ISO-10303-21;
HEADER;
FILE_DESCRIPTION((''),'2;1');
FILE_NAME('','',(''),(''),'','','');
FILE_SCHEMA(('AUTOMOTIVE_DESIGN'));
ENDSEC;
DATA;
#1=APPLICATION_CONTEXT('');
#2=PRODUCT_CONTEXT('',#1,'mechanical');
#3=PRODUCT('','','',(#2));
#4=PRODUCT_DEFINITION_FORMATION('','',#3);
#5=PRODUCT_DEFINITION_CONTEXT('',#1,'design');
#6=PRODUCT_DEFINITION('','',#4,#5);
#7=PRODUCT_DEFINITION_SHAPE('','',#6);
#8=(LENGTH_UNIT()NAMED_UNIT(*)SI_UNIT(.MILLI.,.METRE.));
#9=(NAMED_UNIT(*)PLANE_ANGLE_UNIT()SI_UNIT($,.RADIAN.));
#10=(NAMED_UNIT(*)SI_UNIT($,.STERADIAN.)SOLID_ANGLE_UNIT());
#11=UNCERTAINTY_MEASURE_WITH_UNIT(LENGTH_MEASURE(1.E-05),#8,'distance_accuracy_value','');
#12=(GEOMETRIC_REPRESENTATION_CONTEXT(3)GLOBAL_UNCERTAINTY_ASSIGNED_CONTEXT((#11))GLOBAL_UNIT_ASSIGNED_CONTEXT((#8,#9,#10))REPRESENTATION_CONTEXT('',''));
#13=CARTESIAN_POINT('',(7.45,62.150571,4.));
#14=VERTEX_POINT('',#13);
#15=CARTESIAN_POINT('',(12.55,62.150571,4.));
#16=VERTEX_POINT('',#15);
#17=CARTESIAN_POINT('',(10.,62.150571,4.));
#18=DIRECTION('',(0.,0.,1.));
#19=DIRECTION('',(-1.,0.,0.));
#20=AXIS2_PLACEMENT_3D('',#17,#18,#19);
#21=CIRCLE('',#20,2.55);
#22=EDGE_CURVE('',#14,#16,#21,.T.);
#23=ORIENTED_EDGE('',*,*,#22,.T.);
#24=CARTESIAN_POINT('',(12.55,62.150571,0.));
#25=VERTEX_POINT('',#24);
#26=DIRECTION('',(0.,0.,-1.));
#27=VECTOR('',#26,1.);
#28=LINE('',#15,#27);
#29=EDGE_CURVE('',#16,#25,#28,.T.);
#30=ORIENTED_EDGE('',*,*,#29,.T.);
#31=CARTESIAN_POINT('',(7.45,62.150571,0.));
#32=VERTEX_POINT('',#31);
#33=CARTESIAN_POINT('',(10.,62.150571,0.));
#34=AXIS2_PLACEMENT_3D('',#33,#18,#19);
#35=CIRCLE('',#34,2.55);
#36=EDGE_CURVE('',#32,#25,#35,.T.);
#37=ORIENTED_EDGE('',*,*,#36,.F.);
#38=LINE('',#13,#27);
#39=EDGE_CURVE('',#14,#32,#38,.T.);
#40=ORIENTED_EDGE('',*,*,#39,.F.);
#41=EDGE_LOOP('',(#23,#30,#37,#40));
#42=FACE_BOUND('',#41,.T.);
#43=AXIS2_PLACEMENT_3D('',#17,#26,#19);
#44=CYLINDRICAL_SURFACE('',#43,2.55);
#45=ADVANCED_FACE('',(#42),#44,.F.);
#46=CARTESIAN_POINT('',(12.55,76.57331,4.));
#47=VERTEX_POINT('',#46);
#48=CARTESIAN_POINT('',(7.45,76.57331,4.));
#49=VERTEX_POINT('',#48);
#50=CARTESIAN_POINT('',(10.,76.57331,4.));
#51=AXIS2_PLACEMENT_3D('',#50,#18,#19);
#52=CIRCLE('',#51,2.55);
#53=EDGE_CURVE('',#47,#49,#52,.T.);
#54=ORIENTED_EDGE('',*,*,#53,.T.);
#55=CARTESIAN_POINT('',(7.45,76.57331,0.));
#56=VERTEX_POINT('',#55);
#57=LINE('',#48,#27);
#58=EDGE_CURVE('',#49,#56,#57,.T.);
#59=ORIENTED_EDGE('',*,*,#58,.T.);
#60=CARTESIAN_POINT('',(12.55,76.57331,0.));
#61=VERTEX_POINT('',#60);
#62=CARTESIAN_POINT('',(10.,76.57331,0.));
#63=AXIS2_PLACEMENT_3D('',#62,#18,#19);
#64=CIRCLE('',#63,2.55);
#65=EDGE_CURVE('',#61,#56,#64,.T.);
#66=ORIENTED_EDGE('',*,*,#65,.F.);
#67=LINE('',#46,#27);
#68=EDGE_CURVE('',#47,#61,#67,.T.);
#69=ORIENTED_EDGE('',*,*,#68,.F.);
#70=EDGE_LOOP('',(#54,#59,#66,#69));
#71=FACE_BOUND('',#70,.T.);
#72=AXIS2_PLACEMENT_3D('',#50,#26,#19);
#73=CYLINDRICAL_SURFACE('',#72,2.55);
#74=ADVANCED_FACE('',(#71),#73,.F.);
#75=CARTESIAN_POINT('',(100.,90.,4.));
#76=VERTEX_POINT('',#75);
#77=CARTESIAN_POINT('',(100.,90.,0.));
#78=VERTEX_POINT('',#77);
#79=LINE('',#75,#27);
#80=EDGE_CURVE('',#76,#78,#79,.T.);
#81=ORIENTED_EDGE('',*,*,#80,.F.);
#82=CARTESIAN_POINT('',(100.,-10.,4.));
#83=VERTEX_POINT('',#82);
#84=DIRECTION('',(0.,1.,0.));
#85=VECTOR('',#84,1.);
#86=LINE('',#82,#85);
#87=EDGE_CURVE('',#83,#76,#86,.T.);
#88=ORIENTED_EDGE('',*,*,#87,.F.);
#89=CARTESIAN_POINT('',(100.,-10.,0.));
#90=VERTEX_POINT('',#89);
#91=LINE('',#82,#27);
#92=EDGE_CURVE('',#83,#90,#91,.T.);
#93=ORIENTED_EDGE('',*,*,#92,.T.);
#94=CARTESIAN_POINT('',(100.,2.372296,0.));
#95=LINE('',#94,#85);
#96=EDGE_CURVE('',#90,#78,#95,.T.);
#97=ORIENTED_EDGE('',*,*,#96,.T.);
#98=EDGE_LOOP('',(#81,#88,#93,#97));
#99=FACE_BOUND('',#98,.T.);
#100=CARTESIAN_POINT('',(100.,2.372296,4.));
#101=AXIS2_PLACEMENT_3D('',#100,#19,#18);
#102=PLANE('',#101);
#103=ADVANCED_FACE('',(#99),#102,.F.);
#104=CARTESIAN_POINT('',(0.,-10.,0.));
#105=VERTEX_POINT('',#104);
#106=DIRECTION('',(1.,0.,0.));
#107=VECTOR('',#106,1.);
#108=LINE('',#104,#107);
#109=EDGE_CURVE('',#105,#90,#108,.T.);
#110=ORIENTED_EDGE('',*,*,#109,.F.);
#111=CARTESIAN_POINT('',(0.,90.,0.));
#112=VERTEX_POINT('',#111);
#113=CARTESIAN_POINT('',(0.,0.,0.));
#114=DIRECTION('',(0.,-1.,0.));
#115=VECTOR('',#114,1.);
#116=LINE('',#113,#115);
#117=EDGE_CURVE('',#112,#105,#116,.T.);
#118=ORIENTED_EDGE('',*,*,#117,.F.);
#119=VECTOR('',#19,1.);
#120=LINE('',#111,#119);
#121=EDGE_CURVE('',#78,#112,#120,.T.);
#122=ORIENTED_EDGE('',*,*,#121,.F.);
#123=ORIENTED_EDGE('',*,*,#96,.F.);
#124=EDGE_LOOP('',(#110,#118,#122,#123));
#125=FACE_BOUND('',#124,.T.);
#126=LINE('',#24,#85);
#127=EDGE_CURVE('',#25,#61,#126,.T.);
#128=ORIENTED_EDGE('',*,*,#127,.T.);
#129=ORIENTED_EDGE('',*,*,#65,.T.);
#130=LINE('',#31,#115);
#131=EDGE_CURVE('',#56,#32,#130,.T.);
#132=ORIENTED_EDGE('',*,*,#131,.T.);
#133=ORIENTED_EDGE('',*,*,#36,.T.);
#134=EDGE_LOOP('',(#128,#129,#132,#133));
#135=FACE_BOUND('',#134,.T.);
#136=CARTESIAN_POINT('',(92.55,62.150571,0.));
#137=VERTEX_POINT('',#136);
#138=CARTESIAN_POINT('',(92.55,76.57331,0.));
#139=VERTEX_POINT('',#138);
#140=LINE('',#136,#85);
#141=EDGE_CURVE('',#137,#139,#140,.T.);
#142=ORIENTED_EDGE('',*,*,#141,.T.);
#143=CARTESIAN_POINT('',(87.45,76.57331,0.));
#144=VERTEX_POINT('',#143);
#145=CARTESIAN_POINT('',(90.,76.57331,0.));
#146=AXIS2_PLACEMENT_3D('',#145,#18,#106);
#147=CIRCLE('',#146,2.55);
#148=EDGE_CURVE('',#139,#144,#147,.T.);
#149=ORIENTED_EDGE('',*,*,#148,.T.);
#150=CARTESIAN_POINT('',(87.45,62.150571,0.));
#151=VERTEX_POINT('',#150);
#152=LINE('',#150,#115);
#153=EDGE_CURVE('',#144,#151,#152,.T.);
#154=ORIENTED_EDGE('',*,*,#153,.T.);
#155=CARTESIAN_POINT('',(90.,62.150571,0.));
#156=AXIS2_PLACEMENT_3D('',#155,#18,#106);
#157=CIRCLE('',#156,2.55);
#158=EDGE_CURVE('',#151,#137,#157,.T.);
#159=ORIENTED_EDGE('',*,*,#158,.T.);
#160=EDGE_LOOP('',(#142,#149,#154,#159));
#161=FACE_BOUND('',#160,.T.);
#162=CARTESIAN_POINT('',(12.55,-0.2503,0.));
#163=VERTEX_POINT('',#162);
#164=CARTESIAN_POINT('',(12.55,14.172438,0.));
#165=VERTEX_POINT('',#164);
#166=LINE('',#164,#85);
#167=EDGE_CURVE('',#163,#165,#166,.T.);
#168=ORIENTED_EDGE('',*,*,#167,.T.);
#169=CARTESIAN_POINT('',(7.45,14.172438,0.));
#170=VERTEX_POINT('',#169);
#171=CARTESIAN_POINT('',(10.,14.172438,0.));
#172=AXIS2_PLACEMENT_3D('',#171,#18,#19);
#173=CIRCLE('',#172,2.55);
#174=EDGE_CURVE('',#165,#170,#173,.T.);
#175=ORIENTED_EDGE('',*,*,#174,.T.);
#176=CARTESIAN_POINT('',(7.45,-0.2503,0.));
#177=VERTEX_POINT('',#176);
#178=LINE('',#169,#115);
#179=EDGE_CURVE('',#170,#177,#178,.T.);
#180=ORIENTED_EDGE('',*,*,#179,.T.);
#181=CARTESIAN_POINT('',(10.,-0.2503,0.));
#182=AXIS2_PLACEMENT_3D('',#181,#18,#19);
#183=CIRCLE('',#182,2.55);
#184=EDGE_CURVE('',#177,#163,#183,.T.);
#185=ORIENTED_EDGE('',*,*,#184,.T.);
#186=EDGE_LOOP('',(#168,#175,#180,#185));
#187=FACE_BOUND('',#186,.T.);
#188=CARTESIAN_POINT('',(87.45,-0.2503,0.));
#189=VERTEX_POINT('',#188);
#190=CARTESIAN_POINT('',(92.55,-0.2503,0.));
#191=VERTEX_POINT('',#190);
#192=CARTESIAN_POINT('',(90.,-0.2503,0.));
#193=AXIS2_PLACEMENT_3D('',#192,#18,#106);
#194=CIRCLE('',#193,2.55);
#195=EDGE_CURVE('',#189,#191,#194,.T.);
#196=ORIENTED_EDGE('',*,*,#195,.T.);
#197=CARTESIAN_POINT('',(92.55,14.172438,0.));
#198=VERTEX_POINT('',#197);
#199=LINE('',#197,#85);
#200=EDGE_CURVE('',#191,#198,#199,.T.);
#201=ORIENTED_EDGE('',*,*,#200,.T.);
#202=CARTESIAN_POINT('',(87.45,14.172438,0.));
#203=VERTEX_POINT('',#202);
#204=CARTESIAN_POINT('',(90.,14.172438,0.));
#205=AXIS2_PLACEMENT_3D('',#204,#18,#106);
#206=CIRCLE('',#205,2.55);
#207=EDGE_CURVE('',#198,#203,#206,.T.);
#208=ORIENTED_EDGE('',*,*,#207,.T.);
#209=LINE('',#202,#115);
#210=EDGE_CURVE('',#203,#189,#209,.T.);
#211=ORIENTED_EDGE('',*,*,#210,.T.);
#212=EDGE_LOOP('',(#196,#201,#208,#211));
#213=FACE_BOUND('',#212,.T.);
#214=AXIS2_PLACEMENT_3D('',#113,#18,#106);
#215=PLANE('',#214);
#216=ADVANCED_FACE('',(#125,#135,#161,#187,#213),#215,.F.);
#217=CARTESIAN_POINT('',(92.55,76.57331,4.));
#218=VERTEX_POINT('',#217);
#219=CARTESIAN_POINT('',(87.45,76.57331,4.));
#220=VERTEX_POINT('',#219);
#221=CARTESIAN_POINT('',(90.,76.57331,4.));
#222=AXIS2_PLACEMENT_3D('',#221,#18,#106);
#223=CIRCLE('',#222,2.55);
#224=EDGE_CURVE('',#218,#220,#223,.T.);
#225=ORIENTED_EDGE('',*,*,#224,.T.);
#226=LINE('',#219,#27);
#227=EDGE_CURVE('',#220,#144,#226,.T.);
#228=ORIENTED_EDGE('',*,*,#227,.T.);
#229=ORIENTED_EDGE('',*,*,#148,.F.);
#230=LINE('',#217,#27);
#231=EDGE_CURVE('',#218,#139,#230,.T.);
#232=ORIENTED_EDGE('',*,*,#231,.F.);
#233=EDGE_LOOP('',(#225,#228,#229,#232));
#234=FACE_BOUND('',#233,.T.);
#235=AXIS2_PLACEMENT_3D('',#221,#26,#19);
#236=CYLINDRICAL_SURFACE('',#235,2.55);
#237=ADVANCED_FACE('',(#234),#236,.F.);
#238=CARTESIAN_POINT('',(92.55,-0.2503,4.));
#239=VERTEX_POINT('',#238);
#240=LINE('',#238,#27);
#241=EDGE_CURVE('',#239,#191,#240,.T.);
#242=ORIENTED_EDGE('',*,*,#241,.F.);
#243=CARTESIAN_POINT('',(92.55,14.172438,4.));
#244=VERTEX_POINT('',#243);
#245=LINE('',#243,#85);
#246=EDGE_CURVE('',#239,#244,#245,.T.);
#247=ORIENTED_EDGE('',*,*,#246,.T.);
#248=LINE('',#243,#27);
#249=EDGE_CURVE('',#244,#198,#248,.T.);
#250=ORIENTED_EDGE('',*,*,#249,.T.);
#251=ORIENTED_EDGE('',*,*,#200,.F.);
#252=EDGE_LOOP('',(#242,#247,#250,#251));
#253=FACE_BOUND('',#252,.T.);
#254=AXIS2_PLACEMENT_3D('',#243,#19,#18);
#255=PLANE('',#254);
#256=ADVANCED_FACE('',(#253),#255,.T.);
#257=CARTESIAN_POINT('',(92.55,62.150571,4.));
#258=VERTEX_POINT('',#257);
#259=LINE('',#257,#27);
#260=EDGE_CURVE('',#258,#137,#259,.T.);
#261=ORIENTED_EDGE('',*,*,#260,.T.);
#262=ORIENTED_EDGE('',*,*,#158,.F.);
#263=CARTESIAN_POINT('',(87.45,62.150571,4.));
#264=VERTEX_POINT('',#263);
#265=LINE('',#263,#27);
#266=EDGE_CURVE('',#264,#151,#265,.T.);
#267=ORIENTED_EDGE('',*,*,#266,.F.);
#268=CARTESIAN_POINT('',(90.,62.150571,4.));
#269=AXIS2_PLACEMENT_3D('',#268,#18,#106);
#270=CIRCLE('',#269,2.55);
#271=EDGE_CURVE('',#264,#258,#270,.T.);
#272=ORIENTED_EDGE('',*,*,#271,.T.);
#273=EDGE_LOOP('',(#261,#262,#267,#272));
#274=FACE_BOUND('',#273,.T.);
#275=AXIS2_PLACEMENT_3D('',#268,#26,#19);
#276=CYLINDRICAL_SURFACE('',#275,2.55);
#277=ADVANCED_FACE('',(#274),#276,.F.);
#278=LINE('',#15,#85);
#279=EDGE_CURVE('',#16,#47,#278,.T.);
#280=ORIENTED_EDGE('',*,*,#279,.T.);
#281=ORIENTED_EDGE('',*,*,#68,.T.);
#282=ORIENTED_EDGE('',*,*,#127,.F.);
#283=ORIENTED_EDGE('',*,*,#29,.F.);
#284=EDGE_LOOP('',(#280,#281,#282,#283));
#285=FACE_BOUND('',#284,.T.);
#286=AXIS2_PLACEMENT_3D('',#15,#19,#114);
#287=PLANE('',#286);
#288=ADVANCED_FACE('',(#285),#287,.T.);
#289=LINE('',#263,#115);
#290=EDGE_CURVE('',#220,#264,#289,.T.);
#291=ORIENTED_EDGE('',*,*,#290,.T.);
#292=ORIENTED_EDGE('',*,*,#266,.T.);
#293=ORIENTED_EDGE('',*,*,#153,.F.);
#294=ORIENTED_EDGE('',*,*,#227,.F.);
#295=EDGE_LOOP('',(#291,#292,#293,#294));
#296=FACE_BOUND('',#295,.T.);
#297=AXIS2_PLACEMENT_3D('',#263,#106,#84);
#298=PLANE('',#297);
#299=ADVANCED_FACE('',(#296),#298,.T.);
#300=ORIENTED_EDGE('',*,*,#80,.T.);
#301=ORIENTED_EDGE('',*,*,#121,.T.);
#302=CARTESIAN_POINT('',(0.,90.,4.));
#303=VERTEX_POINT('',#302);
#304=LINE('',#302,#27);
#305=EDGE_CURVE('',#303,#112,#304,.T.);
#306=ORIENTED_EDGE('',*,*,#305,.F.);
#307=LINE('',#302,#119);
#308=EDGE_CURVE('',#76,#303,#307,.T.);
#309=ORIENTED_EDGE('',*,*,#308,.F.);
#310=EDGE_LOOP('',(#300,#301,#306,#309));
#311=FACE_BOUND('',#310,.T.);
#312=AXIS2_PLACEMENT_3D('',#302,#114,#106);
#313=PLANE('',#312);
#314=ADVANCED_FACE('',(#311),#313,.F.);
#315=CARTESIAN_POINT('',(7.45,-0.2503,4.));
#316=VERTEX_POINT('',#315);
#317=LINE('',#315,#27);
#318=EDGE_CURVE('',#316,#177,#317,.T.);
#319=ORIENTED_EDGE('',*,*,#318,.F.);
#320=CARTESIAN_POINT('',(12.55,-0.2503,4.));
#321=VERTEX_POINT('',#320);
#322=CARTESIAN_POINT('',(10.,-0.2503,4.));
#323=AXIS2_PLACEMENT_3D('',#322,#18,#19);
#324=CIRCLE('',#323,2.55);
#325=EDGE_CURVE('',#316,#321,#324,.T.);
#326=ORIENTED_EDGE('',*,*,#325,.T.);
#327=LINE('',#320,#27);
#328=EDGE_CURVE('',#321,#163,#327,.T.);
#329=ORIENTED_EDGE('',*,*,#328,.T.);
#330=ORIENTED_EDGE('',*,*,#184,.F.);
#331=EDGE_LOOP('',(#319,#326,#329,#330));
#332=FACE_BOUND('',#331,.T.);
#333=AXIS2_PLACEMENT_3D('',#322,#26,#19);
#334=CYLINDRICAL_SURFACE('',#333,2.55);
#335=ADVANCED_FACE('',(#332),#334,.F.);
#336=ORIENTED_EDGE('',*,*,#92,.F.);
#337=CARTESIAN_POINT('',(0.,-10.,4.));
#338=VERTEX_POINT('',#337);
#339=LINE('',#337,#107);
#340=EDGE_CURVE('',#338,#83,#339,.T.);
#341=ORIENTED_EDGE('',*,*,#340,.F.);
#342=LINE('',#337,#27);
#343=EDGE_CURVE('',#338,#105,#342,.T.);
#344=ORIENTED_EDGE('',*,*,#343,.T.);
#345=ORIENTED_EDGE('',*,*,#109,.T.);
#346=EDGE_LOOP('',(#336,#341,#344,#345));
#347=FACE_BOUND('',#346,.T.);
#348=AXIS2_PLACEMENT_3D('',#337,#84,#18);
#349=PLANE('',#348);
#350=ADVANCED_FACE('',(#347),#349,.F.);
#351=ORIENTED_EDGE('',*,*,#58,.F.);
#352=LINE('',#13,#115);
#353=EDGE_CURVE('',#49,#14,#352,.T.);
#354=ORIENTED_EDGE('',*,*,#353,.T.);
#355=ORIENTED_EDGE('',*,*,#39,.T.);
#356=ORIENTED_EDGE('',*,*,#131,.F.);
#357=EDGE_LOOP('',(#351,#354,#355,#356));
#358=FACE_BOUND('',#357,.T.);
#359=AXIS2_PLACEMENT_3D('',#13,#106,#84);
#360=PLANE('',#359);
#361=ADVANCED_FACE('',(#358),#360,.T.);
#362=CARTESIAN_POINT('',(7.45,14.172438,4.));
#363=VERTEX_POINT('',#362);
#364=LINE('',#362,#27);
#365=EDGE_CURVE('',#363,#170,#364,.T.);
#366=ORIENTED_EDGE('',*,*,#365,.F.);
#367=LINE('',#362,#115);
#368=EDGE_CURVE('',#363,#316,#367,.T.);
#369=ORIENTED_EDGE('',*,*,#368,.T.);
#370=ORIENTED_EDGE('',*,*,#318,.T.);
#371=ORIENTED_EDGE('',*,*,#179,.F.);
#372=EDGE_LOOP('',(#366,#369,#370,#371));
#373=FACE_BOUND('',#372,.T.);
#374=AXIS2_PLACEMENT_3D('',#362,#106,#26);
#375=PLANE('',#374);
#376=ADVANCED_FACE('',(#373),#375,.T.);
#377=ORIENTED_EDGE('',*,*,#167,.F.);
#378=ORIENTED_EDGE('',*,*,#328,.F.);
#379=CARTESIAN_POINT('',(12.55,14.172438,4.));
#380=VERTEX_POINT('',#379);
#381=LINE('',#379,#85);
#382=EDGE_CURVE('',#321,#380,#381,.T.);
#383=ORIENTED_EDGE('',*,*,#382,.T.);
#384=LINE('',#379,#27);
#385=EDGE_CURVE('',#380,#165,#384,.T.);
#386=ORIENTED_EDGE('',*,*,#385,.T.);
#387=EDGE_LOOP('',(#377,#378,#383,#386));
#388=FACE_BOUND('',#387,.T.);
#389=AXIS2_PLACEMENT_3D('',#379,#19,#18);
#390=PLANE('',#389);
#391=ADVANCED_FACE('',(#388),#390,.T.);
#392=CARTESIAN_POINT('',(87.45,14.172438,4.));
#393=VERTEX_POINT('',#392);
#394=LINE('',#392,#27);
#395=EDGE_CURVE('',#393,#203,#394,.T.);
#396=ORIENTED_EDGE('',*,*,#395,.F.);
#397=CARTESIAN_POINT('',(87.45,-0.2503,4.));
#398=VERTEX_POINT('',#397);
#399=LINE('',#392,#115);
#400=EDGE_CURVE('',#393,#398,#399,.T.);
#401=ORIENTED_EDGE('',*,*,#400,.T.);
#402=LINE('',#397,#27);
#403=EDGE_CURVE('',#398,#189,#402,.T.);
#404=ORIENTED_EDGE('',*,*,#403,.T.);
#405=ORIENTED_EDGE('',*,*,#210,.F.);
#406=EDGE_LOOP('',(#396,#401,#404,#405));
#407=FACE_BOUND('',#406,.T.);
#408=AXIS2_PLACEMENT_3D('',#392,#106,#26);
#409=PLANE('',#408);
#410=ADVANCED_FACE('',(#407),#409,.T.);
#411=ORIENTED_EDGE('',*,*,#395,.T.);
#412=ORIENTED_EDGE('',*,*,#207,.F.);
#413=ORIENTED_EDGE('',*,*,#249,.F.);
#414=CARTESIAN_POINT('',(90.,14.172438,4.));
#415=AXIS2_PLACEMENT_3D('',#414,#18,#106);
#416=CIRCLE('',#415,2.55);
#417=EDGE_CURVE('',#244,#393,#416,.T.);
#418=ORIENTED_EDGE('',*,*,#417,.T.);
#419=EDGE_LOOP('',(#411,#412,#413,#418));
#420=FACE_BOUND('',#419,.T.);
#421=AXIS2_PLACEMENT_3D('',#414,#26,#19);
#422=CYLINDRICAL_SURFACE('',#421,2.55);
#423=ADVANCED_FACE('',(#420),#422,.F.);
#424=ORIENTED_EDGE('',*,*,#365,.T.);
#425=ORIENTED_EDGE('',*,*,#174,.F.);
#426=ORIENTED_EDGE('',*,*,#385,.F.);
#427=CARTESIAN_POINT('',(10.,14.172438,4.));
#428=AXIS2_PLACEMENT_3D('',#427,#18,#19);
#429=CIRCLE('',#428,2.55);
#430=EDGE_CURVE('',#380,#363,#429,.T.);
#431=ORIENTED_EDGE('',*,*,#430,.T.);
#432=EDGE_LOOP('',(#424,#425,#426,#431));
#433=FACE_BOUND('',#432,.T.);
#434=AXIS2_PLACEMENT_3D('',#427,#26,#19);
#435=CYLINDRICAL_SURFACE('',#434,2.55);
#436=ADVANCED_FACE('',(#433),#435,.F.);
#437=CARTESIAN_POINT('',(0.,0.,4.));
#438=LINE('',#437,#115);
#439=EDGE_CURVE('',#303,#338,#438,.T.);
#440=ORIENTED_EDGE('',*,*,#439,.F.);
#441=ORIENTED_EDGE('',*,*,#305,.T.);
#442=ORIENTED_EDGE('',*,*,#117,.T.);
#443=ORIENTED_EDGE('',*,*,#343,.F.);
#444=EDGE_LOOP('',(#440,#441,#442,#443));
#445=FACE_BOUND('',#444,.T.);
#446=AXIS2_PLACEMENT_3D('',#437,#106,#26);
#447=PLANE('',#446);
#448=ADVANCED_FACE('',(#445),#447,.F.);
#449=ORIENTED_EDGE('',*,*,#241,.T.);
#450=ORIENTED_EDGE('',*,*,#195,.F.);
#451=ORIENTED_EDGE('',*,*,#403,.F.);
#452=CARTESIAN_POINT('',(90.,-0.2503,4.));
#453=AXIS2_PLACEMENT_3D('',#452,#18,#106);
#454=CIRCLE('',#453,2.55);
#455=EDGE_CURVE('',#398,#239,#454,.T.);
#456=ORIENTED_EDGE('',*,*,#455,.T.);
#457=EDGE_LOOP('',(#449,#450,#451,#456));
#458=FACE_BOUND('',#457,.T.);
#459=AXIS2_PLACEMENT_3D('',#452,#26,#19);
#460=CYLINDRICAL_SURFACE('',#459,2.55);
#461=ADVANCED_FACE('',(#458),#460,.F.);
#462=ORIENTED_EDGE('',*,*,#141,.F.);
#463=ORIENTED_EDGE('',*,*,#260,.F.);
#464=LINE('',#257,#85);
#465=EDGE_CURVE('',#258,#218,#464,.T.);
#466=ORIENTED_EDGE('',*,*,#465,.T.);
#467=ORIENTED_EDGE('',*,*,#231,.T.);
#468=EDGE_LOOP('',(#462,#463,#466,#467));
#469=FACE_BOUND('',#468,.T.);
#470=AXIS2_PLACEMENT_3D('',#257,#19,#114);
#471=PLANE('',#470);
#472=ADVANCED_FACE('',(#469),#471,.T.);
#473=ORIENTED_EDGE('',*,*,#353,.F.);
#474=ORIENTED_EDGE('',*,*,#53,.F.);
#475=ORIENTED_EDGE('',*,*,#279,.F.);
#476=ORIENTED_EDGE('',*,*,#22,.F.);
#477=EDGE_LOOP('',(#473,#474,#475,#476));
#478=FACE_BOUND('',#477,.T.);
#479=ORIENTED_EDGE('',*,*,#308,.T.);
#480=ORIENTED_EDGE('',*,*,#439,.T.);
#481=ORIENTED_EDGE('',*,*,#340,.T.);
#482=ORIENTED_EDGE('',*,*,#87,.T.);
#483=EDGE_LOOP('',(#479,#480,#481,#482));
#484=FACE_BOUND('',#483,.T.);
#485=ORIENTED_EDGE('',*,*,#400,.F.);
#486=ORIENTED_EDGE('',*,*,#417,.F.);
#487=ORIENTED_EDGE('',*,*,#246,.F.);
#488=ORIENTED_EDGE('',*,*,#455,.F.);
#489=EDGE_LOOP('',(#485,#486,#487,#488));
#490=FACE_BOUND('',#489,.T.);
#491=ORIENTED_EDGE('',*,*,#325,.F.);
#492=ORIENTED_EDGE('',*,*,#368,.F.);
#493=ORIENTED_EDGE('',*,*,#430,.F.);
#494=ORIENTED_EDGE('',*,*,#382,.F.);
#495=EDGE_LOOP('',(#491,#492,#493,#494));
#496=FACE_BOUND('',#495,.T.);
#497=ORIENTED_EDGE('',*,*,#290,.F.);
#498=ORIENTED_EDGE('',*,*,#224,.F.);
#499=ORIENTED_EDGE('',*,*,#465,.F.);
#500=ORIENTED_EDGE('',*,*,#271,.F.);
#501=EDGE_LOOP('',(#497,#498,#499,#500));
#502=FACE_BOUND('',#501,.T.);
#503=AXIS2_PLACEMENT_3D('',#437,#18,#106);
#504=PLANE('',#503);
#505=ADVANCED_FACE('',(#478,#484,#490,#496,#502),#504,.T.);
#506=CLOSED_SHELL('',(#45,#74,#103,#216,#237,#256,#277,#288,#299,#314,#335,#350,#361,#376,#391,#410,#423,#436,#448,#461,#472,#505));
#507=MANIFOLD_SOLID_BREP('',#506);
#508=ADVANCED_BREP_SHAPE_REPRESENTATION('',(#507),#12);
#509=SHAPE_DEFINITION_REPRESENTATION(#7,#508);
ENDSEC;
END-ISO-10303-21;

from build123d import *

# Parameters (mm, degrees)
BOSS_EXTRUDE1_DEPTH = 4


with BuildPart() as part:
    # Sketch1 → Boss-Extrude1 (new body)
    with BuildSketch(Plane.XY):
        Polygon((0, 0), (0, 90), (100, 90), (100, 2.372295937), (100, -10), (0, -10), align=None)
        with BuildLine():
            Line((7.45, 14.17243776), (7.45, -0.25030049))
            ThreePointArc((7.45, -0.25030049), (10, -2.80030049), (12.55, -0.25030049))
            Line((12.55, -0.25030049), (12.55, 14.17243776))
            ThreePointArc((12.55, 14.17243776), (10, 16.72243776), (7.45, 14.17243776))
        make_face(mode=Mode.SUBTRACT)
        with BuildLine():
            Line((87.45, 62.150571419), (87.45, 76.57330967))
            ThreePointArc((87.45, 76.57330967), (90, 79.12330967), (92.55, 76.57330967))
            Line((92.55, 76.57330967), (92.55, 62.150571419))
            ThreePointArc((92.55, 62.150571419), (90, 59.600571419), (87.45, 62.150571419))
        make_face(mode=Mode.SUBTRACT)
        with BuildLine():
            Line((92.55, 14.17243776), (92.55, -0.25030049))
            ThreePointArc((92.55, -0.25030049), (90, -2.80030049), (87.45, -0.25030049))
            Line((87.45, -0.25030049), (87.45, 14.17243776))
            ThreePointArc((87.45, 14.17243776), (90, 16.72243776), (92.55, 14.17243776))
        make_face(mode=Mode.SUBTRACT)
        with BuildLine():
            Line((12.55, 62.150571419), (12.55, 76.57330967))
            ThreePointArc((12.55, 76.57330967), (10, 79.12330967), (7.45, 76.57330967))
            Line((7.45, 76.57330967), (7.45, 62.150571419))
            ThreePointArc((7.45, 62.150571419), (10, 59.600571419), (12.55, 62.150571419))
        make_face(mode=Mode.SUBTRACT)
    extrude(amount=BOSS_EXTRUDE1_DEPTH)


solid = part.part
